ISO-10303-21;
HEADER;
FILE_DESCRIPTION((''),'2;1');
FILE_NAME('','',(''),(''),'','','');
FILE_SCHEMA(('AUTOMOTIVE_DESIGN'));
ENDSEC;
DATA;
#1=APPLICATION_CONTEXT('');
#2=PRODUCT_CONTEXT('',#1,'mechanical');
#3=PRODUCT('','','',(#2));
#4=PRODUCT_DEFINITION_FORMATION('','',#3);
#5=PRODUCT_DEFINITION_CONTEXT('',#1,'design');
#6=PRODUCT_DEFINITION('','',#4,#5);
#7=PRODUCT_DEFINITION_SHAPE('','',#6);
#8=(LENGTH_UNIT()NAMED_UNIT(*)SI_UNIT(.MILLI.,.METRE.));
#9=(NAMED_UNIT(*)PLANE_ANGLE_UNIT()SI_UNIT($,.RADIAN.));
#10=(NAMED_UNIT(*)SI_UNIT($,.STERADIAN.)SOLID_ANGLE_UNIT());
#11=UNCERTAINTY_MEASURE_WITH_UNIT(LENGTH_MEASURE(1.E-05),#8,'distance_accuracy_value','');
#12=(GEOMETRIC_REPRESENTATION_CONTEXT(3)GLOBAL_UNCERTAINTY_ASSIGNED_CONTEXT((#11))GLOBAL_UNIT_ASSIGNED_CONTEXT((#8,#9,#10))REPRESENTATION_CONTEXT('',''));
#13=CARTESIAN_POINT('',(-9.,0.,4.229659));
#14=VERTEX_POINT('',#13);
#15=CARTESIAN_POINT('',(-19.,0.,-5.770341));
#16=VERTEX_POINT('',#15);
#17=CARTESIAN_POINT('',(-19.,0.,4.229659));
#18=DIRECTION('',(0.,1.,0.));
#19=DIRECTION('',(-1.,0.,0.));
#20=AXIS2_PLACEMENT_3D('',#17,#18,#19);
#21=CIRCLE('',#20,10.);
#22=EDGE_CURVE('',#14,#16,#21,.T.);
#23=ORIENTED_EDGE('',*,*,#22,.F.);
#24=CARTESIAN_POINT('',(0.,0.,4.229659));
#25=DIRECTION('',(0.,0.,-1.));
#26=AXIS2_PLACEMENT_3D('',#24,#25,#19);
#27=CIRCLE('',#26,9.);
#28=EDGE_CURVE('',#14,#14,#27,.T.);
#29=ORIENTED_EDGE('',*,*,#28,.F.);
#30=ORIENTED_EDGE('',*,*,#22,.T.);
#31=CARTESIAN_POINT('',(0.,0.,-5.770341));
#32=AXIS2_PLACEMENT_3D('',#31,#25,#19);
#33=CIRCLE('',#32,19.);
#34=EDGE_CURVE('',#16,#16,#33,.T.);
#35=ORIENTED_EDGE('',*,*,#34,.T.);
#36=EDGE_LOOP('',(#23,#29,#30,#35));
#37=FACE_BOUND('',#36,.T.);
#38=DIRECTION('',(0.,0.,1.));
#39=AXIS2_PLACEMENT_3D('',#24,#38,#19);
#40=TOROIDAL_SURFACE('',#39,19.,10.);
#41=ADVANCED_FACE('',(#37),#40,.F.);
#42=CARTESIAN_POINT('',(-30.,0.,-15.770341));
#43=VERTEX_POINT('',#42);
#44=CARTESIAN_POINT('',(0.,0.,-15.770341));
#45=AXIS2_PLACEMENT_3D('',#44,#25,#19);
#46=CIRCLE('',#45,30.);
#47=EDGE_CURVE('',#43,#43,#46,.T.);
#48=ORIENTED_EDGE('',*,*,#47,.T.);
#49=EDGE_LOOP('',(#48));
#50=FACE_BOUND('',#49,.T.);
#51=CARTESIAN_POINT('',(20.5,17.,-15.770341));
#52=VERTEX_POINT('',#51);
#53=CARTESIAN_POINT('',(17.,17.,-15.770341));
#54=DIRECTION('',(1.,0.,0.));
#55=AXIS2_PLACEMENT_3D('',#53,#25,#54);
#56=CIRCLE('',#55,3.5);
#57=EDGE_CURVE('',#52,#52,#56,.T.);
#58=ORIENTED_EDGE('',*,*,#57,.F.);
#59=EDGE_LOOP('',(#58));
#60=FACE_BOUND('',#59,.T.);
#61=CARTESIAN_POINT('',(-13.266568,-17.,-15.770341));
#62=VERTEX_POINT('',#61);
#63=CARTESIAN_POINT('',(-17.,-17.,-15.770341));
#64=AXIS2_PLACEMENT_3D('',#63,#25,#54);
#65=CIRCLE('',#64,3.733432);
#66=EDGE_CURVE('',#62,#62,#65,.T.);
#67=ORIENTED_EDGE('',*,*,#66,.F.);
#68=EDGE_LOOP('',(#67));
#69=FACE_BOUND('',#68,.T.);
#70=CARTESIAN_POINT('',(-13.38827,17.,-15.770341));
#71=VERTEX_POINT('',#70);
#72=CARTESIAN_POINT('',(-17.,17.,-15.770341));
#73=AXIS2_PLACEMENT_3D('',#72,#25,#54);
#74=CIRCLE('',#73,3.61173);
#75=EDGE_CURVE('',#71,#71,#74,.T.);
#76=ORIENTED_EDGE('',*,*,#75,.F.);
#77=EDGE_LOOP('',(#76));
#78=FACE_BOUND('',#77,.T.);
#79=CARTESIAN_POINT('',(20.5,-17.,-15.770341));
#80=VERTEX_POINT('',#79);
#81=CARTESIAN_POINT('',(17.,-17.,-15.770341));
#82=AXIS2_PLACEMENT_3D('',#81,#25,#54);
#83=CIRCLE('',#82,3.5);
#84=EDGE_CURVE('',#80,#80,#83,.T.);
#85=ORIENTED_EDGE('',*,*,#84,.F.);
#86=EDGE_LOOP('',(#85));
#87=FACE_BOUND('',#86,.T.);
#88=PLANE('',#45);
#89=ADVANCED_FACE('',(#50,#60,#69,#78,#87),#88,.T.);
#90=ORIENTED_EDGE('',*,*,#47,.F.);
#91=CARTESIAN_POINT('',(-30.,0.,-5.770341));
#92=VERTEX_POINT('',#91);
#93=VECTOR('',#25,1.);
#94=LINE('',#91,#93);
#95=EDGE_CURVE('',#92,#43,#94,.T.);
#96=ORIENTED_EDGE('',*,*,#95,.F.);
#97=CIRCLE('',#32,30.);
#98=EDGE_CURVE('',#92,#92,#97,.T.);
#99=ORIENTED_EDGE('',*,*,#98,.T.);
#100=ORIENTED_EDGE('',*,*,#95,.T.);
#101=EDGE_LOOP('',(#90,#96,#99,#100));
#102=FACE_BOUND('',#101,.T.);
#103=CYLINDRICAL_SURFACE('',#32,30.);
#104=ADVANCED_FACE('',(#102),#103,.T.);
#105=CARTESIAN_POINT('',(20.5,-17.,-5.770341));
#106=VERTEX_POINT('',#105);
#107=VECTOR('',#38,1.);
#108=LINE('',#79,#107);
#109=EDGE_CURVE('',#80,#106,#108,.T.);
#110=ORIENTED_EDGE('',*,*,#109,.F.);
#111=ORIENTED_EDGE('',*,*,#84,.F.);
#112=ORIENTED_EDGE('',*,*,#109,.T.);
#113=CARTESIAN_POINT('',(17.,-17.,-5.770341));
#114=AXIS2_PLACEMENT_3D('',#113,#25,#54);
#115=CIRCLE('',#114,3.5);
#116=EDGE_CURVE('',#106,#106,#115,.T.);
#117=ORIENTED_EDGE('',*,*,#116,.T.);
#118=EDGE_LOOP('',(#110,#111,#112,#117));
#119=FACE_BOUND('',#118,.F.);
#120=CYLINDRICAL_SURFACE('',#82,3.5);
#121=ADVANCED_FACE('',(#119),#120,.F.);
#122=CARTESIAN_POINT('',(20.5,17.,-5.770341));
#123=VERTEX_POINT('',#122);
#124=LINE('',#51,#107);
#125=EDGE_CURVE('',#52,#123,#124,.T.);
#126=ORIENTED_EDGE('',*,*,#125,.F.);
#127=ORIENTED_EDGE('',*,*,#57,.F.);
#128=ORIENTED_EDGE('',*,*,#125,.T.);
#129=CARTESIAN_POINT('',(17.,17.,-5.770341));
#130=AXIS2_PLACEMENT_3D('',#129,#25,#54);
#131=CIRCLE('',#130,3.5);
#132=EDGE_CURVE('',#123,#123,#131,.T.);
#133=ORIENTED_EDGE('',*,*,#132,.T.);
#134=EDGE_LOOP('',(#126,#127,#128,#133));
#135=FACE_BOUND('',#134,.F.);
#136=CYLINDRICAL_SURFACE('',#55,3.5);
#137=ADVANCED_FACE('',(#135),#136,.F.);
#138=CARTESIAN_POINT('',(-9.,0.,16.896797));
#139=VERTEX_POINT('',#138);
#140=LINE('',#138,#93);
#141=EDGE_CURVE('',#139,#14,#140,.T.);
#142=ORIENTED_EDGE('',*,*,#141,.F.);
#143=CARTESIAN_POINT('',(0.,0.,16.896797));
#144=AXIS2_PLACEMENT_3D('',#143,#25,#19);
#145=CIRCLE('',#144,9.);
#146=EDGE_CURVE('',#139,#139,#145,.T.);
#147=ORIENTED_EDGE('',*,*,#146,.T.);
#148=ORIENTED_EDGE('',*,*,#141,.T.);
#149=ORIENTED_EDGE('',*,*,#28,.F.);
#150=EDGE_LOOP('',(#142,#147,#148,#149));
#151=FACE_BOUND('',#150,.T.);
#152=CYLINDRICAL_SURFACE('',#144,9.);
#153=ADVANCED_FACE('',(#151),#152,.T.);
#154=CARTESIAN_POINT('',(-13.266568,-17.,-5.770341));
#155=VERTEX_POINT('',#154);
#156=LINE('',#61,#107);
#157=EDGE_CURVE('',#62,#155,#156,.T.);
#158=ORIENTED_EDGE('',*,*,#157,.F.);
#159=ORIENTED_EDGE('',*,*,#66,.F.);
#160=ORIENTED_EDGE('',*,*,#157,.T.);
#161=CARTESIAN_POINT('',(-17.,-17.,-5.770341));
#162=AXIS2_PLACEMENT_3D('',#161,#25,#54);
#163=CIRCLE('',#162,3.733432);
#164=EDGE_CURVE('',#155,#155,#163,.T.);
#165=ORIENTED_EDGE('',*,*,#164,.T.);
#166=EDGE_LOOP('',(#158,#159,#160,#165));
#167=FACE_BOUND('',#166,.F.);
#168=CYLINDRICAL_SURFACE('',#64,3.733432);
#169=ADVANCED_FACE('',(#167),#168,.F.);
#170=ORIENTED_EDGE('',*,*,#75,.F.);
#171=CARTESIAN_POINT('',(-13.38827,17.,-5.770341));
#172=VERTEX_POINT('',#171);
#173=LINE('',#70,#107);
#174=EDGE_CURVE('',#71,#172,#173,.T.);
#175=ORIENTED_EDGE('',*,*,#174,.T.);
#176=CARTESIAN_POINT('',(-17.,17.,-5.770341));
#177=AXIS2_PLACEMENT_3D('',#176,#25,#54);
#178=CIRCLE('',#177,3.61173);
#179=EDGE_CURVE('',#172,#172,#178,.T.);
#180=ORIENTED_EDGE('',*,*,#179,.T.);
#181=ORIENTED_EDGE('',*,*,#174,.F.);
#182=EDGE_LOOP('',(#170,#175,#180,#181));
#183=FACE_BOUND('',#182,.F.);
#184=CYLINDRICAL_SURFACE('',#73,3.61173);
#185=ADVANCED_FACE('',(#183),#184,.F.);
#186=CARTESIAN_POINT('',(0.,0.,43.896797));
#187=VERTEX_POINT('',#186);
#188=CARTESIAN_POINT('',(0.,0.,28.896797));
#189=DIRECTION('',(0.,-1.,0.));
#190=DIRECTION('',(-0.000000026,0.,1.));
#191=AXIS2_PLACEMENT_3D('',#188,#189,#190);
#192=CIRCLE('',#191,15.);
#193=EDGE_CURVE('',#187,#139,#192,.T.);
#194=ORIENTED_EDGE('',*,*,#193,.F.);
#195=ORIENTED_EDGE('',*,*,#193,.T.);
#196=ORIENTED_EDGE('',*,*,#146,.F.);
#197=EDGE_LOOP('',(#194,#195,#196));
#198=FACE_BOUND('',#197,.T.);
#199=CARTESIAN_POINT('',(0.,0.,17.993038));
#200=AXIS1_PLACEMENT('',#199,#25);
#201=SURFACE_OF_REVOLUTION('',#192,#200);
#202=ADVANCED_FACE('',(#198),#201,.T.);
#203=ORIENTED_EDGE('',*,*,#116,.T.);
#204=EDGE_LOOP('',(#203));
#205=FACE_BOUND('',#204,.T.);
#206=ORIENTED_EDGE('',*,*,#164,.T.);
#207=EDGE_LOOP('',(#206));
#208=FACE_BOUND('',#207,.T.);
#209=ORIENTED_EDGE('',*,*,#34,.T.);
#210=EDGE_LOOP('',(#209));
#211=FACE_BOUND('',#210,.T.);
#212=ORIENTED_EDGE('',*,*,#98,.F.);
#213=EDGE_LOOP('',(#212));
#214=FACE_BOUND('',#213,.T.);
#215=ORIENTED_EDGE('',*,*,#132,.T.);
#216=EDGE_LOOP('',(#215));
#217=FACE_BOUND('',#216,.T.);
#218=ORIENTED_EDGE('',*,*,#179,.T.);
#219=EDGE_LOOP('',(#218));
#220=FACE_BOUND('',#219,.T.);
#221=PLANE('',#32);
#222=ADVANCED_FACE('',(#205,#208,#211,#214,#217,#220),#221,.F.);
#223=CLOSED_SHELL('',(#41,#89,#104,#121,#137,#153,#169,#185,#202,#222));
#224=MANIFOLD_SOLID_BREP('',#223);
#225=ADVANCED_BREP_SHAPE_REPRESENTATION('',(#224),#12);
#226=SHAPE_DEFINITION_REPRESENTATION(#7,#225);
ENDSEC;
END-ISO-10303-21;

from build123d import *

# Parameters (mm, degrees)
F2_R     = 3.733432
F2_R_2   = 3.5
F2_R_3   = 3.61173
F3_DEPTH = 25
F4_R     = 10


with BuildPart() as f1:
    # F0 (on Front) → F1 (revolve)
    with BuildSketch(Plane.XZ):
        with BuildLine():
            Line((0, 13.896797), (0, 19.229659))
            Line((0, 19.229659), (-9, 19.229659))
            Line((-9, 19.229659), (-9, 16.896797))
            ThreePointArc((-9, 16.896797), (-4.743416, 14.666548), (0, 13.896797))
        make_face()
        with BuildLine():
            Line((-9, 19.229659), (0, 19.229659))
            Line((0, 19.229659), (0, 43.896797))
            ThreePointArc((0, 43.896797), (-14.230249, 33.640214), (-9, 16.896797))
            Line((-9, 16.896797), (-9, 19.229659))
        make_face()
        with BuildLine():
            Line((0, -5.770341), (0, 13.896797))
            ThreePointArc((0, 13.896797), (-4.743416, 14.666548), (-9, 16.896797))
            Line((-9, 16.896797), (-9, -5.770341))
            Line((-9, -5.770341), (0, -5.770341))
        make_face()
        Polygon((0, -13.677974), (0, -5.770341), (-9, -5.770341), (-30, -5.770341), (-30, -15.770341), (0, -15.770341), align=None)
    revolve(axis=Axis((0, 0, 17.993038), (0, 0, -1)))

    # F2 (on face) → F3 (cut)
    with BuildSketch(Plane(origin=(0, 0, -15.770341), x_dir=(1, 0, 0), z_dir=(0, 0, -1))):
        with Locations((-17, 17)):
            Circle(F2_R)
        with Locations((17, 17)):
            Circle(F2_R_2)
        with Locations((-17, -17)):
            Circle(F2_R_3)
        with Locations((17, -17)):
            Circle(F2_R_2)
    extrude(amount=-F3_DEPTH, mode=Mode.SUBTRACT)

    # F4
    f4_edges = [f1.edges().sort_by_distance(p)[0] for p in [
        (9, 0, -5.770341),
    ]]
    fillet(f4_edges, radius=F4_R)


solid = f1.part
